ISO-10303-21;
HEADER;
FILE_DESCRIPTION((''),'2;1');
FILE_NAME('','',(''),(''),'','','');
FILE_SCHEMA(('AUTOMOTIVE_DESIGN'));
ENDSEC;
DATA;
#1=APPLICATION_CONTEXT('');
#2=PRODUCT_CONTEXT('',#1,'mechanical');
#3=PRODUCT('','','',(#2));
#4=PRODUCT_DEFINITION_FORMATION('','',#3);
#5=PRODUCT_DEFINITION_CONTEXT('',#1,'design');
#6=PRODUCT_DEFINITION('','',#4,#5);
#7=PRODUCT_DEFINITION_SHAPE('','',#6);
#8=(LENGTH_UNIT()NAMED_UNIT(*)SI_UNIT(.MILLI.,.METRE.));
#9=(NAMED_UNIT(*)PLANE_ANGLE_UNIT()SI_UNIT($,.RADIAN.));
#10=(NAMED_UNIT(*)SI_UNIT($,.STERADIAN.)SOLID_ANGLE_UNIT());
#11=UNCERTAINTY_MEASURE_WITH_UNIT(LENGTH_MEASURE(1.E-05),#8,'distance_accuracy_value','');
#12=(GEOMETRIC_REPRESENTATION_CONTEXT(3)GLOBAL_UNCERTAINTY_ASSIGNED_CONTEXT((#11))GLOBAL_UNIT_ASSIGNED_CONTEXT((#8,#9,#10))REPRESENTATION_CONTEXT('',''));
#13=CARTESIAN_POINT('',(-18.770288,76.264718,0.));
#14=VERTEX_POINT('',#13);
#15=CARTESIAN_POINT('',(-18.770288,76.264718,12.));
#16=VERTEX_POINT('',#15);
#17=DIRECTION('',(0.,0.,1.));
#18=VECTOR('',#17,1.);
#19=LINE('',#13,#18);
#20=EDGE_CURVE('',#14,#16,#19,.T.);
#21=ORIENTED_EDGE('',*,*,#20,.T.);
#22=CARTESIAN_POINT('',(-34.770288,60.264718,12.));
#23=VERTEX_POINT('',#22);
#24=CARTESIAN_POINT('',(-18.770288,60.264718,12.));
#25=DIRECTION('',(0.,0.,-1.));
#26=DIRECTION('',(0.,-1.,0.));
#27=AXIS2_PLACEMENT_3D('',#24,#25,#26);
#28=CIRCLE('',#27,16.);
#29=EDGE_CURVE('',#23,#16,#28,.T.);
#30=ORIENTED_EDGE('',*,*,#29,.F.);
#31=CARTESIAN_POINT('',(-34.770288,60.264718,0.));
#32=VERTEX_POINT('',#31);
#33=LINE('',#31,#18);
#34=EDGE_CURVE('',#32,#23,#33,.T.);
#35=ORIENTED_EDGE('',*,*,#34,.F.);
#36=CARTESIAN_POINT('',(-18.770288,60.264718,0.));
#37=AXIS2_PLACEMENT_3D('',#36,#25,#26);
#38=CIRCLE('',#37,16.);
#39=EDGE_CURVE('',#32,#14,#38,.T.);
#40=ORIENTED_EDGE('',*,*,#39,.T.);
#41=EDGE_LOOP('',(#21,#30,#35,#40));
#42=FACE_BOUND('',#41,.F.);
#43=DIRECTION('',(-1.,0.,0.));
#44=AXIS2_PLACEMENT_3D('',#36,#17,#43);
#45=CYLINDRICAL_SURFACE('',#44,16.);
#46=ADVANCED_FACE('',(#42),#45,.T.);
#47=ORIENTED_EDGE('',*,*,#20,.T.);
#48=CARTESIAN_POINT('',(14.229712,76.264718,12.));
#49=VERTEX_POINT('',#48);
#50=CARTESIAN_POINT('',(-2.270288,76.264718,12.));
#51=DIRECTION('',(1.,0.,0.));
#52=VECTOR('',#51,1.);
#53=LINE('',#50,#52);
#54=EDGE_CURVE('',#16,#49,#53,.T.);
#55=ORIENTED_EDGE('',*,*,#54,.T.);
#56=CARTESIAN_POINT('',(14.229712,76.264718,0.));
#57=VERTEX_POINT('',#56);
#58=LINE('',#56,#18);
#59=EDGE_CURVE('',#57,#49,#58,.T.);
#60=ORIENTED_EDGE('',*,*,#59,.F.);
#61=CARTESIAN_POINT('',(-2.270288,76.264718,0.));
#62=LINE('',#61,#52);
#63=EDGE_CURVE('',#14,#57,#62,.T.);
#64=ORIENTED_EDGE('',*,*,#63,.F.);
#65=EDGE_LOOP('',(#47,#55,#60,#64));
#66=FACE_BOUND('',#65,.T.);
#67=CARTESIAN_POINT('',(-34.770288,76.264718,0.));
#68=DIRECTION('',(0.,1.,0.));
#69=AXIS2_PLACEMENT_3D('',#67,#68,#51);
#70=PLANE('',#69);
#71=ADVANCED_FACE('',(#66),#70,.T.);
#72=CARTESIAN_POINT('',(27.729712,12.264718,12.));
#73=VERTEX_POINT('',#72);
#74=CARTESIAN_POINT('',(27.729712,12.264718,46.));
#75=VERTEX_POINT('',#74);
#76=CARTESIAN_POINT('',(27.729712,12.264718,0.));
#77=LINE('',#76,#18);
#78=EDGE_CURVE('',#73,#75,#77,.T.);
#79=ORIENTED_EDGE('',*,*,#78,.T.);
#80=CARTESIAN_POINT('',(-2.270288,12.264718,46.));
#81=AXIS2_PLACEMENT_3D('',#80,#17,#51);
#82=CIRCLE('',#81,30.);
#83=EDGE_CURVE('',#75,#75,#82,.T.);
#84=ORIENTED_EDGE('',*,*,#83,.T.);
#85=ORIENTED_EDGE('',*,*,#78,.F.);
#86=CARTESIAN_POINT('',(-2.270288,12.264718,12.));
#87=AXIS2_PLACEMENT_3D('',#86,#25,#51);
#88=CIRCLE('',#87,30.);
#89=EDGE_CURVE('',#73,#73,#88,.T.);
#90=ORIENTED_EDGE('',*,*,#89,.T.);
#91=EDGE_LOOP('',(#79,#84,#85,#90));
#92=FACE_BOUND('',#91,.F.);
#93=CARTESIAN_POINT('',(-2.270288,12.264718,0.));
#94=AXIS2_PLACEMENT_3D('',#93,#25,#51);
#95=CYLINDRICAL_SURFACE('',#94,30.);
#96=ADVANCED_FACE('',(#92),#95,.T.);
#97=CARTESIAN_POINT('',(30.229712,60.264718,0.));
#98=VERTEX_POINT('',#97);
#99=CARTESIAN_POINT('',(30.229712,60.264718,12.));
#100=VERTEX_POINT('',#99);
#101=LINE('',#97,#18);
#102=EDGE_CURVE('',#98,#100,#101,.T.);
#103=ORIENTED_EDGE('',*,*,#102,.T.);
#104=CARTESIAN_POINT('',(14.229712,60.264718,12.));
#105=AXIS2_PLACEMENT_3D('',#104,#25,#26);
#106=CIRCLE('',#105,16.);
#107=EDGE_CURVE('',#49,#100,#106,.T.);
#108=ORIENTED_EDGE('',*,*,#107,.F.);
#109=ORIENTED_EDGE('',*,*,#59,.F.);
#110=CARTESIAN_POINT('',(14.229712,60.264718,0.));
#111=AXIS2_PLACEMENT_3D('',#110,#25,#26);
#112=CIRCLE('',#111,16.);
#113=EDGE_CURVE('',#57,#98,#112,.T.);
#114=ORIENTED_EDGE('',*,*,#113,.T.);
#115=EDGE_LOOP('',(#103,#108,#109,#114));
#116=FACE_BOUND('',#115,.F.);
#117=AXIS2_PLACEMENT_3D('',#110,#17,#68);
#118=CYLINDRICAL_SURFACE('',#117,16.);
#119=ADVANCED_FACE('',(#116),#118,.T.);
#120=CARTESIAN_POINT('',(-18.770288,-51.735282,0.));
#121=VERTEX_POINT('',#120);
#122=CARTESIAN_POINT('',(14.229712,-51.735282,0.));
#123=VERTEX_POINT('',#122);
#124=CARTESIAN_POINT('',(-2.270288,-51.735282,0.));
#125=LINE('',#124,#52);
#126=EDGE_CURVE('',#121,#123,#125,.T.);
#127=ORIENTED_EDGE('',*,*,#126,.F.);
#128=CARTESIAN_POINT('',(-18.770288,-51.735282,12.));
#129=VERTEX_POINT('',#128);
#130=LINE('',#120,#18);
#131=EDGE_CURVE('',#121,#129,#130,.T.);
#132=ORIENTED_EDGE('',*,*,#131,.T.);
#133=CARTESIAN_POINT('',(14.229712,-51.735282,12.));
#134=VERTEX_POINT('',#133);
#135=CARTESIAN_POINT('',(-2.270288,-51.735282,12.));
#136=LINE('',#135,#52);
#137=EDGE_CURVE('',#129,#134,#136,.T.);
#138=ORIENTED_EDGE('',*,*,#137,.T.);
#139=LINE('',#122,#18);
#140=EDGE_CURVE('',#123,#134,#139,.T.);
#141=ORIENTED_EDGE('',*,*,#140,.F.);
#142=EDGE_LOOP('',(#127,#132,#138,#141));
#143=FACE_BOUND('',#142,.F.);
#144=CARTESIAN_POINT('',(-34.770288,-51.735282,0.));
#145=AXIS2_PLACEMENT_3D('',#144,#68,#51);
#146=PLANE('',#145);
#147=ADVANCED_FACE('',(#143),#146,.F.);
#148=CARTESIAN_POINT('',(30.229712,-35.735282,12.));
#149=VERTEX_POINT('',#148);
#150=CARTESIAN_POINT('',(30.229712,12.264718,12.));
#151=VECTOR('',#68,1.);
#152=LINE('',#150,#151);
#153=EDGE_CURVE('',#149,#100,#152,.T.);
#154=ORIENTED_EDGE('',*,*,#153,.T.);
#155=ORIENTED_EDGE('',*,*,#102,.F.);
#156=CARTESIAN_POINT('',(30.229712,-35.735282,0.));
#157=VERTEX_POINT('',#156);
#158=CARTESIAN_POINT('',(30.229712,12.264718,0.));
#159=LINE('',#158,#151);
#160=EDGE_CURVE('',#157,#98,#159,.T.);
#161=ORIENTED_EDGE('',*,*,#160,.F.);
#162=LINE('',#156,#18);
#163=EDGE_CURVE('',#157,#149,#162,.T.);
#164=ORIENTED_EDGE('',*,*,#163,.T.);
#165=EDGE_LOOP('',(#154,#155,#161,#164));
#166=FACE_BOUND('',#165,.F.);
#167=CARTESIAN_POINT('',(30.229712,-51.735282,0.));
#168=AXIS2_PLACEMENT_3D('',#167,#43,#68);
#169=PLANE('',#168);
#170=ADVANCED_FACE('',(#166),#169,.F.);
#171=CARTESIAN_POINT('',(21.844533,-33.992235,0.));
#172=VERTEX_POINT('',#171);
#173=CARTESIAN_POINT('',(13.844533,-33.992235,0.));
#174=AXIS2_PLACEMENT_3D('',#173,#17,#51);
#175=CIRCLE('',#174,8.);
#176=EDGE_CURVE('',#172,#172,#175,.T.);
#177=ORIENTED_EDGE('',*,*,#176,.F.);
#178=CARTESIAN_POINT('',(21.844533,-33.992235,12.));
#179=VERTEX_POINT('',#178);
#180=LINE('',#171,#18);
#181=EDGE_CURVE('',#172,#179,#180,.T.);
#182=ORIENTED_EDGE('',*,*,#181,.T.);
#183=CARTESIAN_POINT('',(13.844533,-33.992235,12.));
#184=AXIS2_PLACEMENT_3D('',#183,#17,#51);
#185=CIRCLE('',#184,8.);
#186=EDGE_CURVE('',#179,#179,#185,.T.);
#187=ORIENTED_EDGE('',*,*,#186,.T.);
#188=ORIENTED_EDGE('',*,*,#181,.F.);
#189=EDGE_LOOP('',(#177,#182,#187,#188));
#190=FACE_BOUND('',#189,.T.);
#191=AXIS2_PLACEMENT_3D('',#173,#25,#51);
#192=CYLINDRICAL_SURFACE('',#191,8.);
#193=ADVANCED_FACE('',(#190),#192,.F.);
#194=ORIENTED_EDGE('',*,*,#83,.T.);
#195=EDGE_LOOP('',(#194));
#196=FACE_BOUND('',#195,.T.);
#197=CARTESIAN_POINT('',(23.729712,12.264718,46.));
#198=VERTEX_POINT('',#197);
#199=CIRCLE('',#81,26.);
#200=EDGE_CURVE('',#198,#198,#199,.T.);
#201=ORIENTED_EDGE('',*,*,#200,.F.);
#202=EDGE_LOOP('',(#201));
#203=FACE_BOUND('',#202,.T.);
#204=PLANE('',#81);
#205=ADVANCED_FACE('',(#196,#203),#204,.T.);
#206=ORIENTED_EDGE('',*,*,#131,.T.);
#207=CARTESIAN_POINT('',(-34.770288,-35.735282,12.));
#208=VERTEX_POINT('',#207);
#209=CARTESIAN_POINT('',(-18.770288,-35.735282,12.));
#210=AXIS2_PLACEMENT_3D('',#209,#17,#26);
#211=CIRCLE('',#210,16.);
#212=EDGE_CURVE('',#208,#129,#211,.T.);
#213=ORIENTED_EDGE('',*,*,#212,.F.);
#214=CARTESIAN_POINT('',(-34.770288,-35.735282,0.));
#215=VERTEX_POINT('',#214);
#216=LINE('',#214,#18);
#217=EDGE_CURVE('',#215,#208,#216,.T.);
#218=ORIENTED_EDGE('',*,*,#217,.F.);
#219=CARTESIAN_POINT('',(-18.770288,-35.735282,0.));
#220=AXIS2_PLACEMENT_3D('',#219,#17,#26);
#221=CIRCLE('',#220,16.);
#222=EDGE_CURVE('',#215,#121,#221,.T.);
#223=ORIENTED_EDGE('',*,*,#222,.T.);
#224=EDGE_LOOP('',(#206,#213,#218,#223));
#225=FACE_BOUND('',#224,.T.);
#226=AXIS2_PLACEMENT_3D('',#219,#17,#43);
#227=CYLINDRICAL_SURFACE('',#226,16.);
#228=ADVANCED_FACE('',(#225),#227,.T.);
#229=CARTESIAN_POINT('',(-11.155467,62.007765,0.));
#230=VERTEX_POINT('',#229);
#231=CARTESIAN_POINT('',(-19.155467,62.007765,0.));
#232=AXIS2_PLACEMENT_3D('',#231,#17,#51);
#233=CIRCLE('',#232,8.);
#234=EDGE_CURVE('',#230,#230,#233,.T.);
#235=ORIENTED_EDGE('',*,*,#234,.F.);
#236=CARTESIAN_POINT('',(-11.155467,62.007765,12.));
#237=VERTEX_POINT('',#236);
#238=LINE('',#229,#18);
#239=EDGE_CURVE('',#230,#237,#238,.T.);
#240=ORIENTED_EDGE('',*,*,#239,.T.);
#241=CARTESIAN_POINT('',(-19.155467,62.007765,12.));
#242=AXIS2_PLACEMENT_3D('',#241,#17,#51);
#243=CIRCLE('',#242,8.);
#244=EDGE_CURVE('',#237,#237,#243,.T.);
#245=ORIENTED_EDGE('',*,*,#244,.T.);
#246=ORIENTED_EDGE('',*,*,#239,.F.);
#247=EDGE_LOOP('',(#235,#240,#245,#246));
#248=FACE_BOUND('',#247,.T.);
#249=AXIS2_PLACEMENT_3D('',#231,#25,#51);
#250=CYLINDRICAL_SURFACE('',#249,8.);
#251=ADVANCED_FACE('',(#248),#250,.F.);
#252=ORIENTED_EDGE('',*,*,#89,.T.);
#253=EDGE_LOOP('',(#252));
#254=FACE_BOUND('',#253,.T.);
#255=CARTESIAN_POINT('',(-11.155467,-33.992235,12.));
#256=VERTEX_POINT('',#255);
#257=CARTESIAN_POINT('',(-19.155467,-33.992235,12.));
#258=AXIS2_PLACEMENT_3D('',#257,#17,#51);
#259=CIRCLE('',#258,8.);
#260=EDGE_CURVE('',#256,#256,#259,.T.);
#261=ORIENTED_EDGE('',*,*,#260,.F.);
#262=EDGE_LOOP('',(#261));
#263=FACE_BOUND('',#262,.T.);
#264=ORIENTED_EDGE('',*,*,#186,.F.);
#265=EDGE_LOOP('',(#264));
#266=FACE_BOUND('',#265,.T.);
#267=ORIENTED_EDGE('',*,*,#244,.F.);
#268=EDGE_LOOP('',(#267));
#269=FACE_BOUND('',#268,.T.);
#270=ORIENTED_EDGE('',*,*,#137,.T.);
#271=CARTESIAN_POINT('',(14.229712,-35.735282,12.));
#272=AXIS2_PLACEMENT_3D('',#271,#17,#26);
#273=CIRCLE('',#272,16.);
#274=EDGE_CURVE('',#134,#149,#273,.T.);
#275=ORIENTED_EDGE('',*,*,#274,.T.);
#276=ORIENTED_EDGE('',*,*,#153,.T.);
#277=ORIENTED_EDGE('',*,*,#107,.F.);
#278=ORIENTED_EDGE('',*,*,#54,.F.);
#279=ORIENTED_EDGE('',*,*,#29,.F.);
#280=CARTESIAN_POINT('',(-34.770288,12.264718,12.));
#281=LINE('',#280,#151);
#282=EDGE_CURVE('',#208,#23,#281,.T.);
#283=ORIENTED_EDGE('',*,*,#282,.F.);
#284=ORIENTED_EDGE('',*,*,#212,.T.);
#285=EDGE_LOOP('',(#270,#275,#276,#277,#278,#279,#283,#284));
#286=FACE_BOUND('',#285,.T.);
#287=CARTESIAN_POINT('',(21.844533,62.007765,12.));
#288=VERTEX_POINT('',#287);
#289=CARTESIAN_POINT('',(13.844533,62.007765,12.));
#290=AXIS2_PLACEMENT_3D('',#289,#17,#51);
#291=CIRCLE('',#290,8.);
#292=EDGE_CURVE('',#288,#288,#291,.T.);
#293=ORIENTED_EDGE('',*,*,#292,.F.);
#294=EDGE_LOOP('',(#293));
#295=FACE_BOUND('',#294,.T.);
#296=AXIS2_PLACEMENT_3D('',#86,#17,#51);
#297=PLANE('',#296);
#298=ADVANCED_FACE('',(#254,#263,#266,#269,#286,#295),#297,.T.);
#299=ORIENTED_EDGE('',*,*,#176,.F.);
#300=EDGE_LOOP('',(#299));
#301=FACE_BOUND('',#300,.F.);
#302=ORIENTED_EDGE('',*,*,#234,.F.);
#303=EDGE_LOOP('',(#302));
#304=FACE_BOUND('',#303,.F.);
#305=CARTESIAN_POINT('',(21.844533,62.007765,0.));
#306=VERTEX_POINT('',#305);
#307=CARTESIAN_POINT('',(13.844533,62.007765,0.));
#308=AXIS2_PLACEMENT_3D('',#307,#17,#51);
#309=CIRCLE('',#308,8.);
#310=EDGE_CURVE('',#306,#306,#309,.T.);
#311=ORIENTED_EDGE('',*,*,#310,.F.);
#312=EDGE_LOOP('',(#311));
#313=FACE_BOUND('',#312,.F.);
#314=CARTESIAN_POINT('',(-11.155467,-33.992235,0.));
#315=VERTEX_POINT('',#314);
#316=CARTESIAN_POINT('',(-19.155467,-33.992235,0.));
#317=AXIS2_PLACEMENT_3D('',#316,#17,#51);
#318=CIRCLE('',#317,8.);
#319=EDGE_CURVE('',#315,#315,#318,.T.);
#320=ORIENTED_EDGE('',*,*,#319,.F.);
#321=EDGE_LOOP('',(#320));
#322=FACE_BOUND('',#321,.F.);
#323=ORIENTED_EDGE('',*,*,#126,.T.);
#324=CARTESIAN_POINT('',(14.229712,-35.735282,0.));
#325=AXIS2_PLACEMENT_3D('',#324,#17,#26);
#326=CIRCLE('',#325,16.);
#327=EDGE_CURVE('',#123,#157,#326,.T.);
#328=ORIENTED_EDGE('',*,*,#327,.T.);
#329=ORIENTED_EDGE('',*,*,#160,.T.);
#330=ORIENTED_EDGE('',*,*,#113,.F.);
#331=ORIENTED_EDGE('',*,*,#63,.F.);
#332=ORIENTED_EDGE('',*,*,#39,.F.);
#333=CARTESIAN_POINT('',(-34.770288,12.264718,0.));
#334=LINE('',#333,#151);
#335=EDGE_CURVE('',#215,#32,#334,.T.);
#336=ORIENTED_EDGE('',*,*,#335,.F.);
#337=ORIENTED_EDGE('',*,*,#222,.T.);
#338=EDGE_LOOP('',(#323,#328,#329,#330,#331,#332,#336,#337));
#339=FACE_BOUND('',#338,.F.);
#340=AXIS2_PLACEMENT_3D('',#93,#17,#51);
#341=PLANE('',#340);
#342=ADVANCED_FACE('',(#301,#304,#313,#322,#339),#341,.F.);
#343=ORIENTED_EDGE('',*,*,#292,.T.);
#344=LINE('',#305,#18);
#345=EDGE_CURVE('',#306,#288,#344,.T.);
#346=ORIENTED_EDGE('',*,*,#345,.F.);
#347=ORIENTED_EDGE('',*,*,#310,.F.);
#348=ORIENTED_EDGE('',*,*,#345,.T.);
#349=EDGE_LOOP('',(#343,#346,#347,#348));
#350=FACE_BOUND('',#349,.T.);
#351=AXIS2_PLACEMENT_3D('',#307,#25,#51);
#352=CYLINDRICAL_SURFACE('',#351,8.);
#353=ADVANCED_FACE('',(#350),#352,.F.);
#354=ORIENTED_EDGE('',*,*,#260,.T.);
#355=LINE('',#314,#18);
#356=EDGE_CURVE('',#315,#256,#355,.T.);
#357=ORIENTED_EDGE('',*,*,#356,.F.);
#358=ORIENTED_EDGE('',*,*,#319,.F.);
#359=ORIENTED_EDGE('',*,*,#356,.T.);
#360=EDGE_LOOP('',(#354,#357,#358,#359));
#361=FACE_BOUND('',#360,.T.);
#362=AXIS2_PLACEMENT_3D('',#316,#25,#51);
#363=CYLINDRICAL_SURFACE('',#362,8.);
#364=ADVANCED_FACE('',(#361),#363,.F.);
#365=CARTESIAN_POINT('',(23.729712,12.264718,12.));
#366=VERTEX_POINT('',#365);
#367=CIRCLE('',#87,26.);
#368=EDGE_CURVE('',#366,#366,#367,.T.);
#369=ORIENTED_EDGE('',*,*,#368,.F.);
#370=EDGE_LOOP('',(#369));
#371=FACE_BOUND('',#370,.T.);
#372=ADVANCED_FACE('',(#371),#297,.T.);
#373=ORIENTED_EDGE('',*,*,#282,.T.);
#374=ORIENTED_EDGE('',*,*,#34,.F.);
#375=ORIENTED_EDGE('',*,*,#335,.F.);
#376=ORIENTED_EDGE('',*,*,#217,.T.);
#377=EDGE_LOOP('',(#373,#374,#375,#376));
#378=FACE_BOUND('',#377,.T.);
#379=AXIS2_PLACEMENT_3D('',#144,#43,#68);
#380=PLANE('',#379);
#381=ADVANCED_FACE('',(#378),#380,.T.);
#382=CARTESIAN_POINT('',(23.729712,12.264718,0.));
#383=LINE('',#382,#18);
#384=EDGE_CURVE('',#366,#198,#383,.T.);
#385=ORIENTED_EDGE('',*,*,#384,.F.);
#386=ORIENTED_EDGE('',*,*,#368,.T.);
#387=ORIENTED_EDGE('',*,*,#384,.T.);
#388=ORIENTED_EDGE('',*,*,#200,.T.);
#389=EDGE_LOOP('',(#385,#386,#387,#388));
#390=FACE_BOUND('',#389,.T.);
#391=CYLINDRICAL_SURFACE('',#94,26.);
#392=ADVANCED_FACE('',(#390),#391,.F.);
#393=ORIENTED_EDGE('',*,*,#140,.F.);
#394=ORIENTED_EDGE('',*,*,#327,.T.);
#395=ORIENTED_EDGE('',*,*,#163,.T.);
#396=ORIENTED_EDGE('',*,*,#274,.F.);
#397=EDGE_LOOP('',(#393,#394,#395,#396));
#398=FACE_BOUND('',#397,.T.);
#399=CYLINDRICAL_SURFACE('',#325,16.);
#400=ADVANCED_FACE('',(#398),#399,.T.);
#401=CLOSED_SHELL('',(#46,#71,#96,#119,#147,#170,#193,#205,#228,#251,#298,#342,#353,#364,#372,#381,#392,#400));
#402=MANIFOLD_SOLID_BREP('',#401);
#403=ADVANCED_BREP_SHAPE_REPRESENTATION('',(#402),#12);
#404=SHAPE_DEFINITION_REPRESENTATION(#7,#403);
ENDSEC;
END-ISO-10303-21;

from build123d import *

# Parameters (mm, degrees)
F0_W     = 65
F0_H     = 128
F0_R     = 8
F1_DEPTH = 12
F2_R     = 16
F3_R     = 30
F3_R_2   = 26
F4_DEPTH = 46


with BuildPart() as f1:
    # F0 (on Top) → F1 (new body)
    with BuildSketch(Plane.XY):
        with Locations((-2.270288, 12.264718)):
            Rectangle(F0_W, F0_H)
        with Locations((-19.155467, -33.992235)):
            Circle(F0_R, mode=Mode.SUBTRACT)
        with Locations((13.844533, -33.992235)):
            Circle(F0_R, mode=Mode.SUBTRACT)
        with Locations((-19.155467, 62.007765)):
            Circle(F0_R, mode=Mode.SUBTRACT)
        with Locations((13.844533, 62.007765)):
            Circle(F0_R, mode=Mode.SUBTRACT)
    extrude(amount=F1_DEPTH)

    # F2
    f2_edges = [f1.edges().sort_by_distance(p)[0] for p in [
        (30.229712, -51.735282, 6),
        (-34.770288, -51.735282, 6),
        (-34.770288, 76.264718, 6),
        (30.229712, 76.264718, 6),
    ]]
    fillet(f2_edges, radius=F2_R)

    # F3 (on Top) → F4 (join)
    with BuildSketch(Plane.XY):
        with Locations((-2.270288, 12.264718)):
            Circle(F3_R)
        with Locations((-2.270288, 12.264718)):
            Circle(F3_R_2, mode=Mode.SUBTRACT)
    extrude(amount=F4_DEPTH)


solid = f1.part
